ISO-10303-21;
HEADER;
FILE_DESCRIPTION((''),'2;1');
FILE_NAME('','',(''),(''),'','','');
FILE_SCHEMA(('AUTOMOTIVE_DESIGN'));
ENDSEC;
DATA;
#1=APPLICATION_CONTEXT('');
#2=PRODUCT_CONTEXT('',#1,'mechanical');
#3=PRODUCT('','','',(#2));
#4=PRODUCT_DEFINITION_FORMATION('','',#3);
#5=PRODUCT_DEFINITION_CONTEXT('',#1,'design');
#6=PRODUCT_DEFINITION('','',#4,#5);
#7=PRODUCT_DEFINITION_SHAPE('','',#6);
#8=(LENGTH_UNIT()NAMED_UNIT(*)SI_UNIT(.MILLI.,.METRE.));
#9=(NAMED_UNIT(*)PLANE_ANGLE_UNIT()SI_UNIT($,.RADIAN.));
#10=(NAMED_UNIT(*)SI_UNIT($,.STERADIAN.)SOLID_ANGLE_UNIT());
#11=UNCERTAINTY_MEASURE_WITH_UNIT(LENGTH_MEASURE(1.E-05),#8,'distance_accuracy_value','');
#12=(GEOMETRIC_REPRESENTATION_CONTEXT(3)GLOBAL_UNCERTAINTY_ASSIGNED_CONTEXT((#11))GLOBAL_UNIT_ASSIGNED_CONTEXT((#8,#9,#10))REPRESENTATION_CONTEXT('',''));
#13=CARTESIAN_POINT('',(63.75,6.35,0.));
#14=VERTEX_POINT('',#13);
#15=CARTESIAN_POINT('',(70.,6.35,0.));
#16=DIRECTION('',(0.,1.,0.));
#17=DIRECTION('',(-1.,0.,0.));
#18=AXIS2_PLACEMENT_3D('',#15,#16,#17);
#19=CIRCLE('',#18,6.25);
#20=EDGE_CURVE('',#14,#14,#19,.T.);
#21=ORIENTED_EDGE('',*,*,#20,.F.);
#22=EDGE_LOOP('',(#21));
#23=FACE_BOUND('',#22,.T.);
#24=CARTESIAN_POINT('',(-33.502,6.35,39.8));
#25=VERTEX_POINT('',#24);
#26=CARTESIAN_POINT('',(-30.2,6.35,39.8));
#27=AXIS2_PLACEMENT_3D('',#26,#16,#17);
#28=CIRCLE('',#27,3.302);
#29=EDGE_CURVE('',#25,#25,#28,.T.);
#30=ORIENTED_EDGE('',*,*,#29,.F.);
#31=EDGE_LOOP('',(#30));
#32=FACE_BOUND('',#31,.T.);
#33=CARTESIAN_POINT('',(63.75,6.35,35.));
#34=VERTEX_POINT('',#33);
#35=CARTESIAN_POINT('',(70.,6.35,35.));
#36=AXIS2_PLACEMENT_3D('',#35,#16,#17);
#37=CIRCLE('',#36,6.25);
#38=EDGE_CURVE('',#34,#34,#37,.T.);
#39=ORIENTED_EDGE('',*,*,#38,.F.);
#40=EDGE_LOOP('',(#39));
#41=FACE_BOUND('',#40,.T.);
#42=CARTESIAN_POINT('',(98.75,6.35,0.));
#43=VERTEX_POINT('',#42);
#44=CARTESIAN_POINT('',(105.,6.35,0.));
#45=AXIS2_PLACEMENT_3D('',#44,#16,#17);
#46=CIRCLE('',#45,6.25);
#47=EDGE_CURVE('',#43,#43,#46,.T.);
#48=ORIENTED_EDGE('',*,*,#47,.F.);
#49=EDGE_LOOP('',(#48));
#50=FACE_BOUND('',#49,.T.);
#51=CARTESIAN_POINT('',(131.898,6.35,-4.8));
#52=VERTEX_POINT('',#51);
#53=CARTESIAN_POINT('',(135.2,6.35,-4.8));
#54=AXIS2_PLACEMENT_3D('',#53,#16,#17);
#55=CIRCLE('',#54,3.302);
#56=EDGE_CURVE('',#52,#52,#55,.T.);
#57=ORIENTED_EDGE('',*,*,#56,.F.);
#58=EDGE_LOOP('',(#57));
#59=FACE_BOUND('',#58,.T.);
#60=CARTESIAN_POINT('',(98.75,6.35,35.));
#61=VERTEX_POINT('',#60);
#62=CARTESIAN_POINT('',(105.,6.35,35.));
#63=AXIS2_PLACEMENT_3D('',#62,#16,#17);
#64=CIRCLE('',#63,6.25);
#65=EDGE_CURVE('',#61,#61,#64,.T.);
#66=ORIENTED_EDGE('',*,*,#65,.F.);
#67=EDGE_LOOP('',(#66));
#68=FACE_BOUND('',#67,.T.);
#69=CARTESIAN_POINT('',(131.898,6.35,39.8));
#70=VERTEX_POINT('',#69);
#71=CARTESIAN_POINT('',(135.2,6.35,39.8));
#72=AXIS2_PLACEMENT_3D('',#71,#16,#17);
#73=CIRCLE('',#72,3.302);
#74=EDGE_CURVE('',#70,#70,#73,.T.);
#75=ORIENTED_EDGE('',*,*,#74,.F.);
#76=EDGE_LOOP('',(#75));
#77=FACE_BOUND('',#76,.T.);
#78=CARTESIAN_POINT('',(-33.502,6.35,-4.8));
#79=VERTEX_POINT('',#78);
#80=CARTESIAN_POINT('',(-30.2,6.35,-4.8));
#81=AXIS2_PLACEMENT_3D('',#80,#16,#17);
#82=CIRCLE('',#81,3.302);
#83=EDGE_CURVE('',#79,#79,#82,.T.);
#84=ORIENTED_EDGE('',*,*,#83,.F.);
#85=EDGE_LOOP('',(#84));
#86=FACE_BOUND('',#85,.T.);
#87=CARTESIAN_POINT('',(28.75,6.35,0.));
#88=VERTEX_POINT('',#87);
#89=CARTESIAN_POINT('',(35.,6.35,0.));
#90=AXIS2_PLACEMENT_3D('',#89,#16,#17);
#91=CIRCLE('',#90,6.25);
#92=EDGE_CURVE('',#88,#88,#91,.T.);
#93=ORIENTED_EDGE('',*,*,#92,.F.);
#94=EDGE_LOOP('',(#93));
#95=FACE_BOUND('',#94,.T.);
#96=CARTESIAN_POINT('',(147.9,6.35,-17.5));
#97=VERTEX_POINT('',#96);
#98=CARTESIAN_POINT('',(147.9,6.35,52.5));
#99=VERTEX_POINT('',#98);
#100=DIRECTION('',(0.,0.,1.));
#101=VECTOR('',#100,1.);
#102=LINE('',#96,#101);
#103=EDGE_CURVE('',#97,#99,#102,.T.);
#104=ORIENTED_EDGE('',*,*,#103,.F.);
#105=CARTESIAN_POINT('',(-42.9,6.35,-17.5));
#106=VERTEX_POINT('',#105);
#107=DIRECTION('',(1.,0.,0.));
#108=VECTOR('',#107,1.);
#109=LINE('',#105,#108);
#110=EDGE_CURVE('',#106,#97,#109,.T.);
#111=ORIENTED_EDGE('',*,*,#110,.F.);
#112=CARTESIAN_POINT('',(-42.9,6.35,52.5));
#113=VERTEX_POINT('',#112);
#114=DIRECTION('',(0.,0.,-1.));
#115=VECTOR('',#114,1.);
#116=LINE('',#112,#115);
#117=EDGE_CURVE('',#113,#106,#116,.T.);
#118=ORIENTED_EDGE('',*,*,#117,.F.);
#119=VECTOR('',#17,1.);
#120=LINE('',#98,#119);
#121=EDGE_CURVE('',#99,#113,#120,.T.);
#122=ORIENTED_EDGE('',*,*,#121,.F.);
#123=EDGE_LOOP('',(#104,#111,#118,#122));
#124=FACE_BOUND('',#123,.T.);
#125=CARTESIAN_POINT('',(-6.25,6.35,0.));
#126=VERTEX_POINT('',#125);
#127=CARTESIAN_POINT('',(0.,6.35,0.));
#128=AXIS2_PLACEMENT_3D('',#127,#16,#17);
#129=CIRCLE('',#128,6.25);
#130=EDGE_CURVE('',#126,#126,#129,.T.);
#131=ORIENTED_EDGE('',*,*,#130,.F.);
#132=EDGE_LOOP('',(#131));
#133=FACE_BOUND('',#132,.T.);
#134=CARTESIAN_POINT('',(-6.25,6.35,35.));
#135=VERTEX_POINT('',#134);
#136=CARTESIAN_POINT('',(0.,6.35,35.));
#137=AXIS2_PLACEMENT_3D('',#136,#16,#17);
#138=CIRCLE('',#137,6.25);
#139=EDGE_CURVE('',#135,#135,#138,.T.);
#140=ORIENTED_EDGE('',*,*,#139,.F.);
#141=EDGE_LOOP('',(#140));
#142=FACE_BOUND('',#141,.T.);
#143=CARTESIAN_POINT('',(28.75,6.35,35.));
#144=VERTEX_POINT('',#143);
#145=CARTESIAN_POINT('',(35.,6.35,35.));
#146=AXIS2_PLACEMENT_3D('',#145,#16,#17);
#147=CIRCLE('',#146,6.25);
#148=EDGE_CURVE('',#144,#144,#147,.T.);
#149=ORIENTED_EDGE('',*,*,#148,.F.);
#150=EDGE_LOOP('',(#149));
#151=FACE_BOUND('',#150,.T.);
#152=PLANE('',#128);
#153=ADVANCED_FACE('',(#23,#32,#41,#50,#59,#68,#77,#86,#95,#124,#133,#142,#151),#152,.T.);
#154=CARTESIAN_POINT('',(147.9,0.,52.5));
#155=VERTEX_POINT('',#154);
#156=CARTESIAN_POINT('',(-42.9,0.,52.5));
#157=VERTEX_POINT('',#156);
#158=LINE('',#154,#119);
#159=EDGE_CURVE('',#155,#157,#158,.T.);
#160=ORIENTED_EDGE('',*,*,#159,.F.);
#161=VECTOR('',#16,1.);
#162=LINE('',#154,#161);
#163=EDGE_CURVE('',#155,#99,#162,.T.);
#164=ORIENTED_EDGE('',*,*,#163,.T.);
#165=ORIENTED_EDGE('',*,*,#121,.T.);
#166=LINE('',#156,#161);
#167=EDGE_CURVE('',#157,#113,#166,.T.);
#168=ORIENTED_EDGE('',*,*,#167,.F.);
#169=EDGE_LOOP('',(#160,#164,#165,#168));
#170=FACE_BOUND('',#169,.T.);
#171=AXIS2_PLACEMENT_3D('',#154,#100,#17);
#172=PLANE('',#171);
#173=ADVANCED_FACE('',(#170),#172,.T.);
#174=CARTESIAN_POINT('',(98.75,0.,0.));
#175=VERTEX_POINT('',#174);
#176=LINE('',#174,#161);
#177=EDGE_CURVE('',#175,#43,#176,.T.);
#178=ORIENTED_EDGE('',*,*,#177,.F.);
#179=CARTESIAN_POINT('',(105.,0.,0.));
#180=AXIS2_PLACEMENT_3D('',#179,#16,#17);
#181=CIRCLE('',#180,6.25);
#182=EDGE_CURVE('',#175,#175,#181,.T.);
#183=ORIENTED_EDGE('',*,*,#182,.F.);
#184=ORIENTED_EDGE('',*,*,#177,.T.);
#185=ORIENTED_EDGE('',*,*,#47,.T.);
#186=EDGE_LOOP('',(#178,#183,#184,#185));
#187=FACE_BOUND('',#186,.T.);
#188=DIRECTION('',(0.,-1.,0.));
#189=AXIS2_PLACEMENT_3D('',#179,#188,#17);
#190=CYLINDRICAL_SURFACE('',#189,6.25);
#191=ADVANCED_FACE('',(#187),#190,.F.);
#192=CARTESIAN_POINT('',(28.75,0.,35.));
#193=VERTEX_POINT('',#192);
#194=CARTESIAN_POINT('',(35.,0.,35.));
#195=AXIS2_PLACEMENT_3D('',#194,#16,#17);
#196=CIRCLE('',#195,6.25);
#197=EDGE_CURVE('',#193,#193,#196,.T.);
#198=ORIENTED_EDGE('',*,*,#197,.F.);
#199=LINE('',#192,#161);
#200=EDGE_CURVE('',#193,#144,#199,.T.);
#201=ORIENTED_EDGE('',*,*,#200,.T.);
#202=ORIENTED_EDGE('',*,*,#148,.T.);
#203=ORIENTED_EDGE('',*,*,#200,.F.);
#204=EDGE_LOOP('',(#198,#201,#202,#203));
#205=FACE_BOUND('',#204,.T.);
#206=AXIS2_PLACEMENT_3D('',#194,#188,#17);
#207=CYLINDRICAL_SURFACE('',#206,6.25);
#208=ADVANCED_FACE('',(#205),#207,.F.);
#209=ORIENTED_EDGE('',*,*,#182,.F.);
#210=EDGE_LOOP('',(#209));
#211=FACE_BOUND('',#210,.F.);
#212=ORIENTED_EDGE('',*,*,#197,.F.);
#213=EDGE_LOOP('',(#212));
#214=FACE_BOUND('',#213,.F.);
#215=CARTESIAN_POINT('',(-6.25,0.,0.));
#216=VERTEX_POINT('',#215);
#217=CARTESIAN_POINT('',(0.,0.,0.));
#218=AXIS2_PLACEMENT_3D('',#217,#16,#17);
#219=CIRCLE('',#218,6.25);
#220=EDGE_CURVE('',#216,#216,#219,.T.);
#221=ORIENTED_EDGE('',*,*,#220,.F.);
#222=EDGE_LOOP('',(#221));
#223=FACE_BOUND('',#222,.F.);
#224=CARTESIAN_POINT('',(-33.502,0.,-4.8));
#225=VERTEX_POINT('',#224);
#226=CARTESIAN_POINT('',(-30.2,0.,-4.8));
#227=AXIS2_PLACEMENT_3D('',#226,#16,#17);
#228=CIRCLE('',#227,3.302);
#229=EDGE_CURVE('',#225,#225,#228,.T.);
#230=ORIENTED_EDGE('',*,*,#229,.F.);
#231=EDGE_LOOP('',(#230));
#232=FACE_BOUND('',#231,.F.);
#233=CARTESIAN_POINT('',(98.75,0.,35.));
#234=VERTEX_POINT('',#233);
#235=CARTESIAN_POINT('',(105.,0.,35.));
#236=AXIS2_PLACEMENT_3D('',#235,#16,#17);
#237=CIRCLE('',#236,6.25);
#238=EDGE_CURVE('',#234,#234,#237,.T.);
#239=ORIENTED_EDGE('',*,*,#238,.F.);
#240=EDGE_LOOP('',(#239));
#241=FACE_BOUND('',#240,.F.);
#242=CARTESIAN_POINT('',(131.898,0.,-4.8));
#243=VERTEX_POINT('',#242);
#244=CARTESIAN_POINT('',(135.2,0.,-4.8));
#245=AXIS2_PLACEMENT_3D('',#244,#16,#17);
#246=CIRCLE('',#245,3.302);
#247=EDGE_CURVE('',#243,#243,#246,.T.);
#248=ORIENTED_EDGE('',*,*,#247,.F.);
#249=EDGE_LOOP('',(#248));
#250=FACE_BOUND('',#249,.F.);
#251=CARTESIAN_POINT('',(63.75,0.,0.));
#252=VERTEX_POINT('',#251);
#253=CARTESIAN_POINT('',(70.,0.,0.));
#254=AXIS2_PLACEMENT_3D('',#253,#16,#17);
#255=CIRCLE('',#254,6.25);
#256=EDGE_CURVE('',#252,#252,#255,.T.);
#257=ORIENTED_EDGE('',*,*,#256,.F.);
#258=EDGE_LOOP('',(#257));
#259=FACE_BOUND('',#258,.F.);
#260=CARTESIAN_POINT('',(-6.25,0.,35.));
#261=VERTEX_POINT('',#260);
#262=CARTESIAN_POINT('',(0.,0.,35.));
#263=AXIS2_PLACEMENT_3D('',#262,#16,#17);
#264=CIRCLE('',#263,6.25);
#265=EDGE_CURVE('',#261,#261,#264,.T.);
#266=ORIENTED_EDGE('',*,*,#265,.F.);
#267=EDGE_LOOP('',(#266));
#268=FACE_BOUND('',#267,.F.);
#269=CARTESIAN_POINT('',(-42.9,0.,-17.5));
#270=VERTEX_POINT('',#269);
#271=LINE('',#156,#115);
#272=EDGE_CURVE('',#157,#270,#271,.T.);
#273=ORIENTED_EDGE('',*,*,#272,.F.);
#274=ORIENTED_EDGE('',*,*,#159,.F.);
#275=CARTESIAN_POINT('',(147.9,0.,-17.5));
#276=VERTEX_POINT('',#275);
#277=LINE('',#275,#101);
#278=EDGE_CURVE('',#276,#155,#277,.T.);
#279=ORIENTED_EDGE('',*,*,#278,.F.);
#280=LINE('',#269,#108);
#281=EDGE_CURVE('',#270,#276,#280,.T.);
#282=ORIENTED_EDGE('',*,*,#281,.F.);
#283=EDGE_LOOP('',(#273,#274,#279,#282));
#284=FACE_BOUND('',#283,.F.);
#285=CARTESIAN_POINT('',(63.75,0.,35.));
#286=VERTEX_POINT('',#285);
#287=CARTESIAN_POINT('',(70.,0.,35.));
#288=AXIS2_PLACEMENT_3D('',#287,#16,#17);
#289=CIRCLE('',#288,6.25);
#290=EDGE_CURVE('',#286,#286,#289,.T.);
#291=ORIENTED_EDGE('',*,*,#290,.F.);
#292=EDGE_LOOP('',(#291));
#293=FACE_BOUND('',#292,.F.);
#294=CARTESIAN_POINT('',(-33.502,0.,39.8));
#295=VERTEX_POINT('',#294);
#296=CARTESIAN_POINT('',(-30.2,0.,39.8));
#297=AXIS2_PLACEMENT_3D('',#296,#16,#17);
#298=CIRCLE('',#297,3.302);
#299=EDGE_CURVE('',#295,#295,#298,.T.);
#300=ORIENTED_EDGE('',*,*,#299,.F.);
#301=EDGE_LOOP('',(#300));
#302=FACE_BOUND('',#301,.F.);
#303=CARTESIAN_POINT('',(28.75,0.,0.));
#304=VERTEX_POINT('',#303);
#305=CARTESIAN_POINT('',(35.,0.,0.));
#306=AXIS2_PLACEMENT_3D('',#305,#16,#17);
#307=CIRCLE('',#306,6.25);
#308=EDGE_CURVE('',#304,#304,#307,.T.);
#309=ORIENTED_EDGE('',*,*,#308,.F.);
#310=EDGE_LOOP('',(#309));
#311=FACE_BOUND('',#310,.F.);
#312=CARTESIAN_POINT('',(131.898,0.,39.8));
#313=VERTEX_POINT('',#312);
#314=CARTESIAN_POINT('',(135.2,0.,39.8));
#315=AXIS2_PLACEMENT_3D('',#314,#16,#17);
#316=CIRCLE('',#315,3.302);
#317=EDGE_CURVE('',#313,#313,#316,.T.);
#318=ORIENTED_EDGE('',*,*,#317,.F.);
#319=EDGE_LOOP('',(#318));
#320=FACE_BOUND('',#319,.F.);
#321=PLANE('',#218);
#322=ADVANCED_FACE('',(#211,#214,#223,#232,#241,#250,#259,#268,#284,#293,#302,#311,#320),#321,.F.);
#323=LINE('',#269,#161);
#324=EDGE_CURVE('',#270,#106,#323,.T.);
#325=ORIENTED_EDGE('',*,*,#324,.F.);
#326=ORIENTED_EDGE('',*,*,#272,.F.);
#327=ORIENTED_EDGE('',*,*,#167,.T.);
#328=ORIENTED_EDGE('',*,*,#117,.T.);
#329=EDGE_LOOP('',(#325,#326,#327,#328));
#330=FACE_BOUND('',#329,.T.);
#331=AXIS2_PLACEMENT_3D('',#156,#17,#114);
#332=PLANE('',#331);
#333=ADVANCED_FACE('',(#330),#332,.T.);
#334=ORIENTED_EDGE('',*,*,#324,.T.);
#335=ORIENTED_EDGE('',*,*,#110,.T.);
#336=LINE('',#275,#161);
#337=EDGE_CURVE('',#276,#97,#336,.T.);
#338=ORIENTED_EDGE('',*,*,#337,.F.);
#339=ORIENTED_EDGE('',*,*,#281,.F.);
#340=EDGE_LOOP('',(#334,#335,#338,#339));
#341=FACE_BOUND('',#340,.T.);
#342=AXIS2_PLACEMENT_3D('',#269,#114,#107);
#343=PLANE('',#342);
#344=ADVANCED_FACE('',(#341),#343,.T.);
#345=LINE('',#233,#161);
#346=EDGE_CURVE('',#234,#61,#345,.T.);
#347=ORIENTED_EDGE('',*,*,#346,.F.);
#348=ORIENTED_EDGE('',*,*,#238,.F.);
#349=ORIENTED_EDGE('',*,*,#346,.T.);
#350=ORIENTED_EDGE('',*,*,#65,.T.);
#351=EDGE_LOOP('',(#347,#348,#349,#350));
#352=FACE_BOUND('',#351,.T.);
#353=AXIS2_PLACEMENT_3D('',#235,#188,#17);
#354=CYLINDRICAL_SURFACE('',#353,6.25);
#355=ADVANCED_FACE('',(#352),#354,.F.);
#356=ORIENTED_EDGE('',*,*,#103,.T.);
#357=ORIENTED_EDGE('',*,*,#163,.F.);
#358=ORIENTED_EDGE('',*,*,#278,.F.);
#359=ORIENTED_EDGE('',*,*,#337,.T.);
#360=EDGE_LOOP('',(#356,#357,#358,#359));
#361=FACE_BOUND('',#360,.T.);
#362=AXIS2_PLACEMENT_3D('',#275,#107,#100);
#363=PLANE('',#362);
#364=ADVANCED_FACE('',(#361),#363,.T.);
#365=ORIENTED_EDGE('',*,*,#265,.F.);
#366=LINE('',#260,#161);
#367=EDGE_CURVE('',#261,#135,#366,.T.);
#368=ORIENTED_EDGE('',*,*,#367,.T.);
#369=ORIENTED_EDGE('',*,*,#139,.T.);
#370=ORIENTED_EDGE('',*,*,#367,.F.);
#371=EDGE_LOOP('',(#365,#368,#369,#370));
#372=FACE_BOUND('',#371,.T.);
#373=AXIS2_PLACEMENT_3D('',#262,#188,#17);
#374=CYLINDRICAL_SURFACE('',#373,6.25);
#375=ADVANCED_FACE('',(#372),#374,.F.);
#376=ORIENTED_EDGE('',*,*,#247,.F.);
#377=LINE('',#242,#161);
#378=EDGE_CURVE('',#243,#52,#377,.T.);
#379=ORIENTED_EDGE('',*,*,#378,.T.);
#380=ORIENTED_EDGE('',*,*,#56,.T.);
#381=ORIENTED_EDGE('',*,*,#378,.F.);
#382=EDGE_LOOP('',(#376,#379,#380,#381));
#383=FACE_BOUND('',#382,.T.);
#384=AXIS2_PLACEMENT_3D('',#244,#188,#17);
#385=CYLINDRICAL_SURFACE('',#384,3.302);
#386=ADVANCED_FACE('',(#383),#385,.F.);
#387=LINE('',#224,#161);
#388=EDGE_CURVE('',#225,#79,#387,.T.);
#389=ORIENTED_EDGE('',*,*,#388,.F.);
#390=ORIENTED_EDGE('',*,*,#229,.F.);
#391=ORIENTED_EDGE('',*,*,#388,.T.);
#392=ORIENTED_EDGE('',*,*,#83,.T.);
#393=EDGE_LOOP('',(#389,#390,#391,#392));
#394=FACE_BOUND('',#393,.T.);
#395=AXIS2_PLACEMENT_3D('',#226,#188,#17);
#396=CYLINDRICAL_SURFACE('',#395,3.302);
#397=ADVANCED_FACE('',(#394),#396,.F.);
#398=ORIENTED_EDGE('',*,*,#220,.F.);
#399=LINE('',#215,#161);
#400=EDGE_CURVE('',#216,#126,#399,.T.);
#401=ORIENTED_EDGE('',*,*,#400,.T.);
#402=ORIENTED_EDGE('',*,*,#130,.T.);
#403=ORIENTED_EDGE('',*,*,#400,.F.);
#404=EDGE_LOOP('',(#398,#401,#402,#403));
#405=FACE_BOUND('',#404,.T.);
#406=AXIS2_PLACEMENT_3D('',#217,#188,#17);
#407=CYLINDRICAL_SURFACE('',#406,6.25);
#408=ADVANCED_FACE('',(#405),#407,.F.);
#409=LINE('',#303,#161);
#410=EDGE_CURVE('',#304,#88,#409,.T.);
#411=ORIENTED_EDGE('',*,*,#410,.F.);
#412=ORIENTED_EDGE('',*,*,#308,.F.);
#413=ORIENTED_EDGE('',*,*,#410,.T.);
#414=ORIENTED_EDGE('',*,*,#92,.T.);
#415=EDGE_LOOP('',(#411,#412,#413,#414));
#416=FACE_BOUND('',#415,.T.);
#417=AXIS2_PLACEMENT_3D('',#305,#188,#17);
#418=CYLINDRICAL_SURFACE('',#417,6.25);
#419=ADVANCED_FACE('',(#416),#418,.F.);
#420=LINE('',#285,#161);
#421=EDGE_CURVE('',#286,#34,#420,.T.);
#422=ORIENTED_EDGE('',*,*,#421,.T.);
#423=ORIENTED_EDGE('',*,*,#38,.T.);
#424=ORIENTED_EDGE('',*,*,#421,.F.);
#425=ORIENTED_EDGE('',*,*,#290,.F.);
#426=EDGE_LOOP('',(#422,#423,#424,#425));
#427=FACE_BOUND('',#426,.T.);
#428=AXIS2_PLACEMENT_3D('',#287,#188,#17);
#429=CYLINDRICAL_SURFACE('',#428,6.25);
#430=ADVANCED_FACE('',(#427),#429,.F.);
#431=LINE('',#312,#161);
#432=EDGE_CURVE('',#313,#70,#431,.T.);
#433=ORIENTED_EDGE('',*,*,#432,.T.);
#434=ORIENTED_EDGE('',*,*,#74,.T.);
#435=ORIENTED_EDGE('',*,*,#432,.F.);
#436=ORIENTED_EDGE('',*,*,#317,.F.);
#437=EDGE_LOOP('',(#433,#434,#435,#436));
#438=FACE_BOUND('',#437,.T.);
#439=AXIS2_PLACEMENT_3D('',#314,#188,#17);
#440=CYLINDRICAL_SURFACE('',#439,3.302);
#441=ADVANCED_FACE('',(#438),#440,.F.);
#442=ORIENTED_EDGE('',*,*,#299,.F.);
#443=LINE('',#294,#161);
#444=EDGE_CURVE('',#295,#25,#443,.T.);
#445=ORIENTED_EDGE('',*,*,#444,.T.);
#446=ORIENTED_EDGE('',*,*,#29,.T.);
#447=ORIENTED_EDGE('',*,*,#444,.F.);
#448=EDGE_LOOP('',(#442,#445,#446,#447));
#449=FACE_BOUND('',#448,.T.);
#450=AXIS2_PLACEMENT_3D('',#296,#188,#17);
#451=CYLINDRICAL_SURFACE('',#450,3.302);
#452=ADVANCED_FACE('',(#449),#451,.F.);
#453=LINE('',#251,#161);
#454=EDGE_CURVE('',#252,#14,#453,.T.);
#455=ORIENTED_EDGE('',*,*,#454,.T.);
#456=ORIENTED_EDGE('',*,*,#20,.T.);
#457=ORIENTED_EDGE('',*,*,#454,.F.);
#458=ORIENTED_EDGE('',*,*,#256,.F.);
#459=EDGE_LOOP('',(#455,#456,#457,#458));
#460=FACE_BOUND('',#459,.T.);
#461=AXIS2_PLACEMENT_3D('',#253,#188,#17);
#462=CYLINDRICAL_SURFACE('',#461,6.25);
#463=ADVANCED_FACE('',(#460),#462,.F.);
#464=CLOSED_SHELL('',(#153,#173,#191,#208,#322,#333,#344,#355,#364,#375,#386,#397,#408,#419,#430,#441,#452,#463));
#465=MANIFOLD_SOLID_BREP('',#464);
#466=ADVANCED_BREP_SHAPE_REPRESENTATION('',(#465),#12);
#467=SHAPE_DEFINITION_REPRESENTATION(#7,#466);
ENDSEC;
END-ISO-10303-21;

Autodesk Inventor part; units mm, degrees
ref_plane "YZ Plane" through (0, 0, 0) normal (1, 0, 0) x (0, 1, 0)
ref_plane "XZ Plane" through (0, 0, 0) normal (0, 1, 0) x (-1, 0, 0)
ref_plane "XY Plane" through (0, 0, 0) normal (0, 0, 1) x (1, 0, 0)
sketch "Sketch1" plane through (0, 0, 0) normal (0, 1, 0) x (-1, 0, 0)
  circle A0 centre (0, 0) radius 6.25
  line L0 (0, 0) -> (0, 25.4) construction
  line L1 (0, 0) -> (-101.6, 0) construction
  circle A1 centre (0, 35) radius 6.25
  circle A2 centre (-35, 0) radius 6.25
  circle A3 centre (-35, 35) radius 6.25
  circle A4 centre (-70, 0) radius 6.25
  circle A5 centre (-70, 35) radius 6.25
  circle A6 centre (-105, 0) radius 6.25
  circle A7 centre (-105, 35) radius 6.25
  line L2 (42.9, -17.5) -> (-147.9, -17.5)
  line L3 (-147.9, -17.5) -> (-147.9, 52.5)
  line L4 (-147.9, 52.5) -> (42.9, 52.5)
  line L5 (42.9, 52.5) -> (42.9, -17.5)
  circle A8 centre (30.2, -4.8) radius 3.302
  circle A9 centre (-135.2, -4.8) radius 3.302
  circle A10 centre (-135.2, 39.8) radius 3.302
  circle A11 centre (30.2, 39.8) radius 3.302
  dimension "d0" = 12.5
  dimension "d1" = 25.4
  dimension "d2" = 101.6
  dimension "d5" = 35
  dimension "d8" = 35
  dimension "d11" = 42.9
  dimension "d12" = 42.9
  dimension "d13" = 17.5
  dimension "d14" = 17.5
  dimension "d15" = 6.604
  dimension "d16" = 12.7
  dimension "d17" = 12.7
  dimension "d18" = 6.604
  dimension "d19" = 12.7
  dimension "d20" = 6.604
  dimension "d21" = 12.7
  dimension "d22" = 6.604
extrude "Extrusion1" add sketch "Sketch1" along normal blind 6.35
equation "\"d13\" = 0.5 * d5"
equation "\"d14\" = 0.5 * d5"
properties part number "SequenceMachine_VialPlate"
